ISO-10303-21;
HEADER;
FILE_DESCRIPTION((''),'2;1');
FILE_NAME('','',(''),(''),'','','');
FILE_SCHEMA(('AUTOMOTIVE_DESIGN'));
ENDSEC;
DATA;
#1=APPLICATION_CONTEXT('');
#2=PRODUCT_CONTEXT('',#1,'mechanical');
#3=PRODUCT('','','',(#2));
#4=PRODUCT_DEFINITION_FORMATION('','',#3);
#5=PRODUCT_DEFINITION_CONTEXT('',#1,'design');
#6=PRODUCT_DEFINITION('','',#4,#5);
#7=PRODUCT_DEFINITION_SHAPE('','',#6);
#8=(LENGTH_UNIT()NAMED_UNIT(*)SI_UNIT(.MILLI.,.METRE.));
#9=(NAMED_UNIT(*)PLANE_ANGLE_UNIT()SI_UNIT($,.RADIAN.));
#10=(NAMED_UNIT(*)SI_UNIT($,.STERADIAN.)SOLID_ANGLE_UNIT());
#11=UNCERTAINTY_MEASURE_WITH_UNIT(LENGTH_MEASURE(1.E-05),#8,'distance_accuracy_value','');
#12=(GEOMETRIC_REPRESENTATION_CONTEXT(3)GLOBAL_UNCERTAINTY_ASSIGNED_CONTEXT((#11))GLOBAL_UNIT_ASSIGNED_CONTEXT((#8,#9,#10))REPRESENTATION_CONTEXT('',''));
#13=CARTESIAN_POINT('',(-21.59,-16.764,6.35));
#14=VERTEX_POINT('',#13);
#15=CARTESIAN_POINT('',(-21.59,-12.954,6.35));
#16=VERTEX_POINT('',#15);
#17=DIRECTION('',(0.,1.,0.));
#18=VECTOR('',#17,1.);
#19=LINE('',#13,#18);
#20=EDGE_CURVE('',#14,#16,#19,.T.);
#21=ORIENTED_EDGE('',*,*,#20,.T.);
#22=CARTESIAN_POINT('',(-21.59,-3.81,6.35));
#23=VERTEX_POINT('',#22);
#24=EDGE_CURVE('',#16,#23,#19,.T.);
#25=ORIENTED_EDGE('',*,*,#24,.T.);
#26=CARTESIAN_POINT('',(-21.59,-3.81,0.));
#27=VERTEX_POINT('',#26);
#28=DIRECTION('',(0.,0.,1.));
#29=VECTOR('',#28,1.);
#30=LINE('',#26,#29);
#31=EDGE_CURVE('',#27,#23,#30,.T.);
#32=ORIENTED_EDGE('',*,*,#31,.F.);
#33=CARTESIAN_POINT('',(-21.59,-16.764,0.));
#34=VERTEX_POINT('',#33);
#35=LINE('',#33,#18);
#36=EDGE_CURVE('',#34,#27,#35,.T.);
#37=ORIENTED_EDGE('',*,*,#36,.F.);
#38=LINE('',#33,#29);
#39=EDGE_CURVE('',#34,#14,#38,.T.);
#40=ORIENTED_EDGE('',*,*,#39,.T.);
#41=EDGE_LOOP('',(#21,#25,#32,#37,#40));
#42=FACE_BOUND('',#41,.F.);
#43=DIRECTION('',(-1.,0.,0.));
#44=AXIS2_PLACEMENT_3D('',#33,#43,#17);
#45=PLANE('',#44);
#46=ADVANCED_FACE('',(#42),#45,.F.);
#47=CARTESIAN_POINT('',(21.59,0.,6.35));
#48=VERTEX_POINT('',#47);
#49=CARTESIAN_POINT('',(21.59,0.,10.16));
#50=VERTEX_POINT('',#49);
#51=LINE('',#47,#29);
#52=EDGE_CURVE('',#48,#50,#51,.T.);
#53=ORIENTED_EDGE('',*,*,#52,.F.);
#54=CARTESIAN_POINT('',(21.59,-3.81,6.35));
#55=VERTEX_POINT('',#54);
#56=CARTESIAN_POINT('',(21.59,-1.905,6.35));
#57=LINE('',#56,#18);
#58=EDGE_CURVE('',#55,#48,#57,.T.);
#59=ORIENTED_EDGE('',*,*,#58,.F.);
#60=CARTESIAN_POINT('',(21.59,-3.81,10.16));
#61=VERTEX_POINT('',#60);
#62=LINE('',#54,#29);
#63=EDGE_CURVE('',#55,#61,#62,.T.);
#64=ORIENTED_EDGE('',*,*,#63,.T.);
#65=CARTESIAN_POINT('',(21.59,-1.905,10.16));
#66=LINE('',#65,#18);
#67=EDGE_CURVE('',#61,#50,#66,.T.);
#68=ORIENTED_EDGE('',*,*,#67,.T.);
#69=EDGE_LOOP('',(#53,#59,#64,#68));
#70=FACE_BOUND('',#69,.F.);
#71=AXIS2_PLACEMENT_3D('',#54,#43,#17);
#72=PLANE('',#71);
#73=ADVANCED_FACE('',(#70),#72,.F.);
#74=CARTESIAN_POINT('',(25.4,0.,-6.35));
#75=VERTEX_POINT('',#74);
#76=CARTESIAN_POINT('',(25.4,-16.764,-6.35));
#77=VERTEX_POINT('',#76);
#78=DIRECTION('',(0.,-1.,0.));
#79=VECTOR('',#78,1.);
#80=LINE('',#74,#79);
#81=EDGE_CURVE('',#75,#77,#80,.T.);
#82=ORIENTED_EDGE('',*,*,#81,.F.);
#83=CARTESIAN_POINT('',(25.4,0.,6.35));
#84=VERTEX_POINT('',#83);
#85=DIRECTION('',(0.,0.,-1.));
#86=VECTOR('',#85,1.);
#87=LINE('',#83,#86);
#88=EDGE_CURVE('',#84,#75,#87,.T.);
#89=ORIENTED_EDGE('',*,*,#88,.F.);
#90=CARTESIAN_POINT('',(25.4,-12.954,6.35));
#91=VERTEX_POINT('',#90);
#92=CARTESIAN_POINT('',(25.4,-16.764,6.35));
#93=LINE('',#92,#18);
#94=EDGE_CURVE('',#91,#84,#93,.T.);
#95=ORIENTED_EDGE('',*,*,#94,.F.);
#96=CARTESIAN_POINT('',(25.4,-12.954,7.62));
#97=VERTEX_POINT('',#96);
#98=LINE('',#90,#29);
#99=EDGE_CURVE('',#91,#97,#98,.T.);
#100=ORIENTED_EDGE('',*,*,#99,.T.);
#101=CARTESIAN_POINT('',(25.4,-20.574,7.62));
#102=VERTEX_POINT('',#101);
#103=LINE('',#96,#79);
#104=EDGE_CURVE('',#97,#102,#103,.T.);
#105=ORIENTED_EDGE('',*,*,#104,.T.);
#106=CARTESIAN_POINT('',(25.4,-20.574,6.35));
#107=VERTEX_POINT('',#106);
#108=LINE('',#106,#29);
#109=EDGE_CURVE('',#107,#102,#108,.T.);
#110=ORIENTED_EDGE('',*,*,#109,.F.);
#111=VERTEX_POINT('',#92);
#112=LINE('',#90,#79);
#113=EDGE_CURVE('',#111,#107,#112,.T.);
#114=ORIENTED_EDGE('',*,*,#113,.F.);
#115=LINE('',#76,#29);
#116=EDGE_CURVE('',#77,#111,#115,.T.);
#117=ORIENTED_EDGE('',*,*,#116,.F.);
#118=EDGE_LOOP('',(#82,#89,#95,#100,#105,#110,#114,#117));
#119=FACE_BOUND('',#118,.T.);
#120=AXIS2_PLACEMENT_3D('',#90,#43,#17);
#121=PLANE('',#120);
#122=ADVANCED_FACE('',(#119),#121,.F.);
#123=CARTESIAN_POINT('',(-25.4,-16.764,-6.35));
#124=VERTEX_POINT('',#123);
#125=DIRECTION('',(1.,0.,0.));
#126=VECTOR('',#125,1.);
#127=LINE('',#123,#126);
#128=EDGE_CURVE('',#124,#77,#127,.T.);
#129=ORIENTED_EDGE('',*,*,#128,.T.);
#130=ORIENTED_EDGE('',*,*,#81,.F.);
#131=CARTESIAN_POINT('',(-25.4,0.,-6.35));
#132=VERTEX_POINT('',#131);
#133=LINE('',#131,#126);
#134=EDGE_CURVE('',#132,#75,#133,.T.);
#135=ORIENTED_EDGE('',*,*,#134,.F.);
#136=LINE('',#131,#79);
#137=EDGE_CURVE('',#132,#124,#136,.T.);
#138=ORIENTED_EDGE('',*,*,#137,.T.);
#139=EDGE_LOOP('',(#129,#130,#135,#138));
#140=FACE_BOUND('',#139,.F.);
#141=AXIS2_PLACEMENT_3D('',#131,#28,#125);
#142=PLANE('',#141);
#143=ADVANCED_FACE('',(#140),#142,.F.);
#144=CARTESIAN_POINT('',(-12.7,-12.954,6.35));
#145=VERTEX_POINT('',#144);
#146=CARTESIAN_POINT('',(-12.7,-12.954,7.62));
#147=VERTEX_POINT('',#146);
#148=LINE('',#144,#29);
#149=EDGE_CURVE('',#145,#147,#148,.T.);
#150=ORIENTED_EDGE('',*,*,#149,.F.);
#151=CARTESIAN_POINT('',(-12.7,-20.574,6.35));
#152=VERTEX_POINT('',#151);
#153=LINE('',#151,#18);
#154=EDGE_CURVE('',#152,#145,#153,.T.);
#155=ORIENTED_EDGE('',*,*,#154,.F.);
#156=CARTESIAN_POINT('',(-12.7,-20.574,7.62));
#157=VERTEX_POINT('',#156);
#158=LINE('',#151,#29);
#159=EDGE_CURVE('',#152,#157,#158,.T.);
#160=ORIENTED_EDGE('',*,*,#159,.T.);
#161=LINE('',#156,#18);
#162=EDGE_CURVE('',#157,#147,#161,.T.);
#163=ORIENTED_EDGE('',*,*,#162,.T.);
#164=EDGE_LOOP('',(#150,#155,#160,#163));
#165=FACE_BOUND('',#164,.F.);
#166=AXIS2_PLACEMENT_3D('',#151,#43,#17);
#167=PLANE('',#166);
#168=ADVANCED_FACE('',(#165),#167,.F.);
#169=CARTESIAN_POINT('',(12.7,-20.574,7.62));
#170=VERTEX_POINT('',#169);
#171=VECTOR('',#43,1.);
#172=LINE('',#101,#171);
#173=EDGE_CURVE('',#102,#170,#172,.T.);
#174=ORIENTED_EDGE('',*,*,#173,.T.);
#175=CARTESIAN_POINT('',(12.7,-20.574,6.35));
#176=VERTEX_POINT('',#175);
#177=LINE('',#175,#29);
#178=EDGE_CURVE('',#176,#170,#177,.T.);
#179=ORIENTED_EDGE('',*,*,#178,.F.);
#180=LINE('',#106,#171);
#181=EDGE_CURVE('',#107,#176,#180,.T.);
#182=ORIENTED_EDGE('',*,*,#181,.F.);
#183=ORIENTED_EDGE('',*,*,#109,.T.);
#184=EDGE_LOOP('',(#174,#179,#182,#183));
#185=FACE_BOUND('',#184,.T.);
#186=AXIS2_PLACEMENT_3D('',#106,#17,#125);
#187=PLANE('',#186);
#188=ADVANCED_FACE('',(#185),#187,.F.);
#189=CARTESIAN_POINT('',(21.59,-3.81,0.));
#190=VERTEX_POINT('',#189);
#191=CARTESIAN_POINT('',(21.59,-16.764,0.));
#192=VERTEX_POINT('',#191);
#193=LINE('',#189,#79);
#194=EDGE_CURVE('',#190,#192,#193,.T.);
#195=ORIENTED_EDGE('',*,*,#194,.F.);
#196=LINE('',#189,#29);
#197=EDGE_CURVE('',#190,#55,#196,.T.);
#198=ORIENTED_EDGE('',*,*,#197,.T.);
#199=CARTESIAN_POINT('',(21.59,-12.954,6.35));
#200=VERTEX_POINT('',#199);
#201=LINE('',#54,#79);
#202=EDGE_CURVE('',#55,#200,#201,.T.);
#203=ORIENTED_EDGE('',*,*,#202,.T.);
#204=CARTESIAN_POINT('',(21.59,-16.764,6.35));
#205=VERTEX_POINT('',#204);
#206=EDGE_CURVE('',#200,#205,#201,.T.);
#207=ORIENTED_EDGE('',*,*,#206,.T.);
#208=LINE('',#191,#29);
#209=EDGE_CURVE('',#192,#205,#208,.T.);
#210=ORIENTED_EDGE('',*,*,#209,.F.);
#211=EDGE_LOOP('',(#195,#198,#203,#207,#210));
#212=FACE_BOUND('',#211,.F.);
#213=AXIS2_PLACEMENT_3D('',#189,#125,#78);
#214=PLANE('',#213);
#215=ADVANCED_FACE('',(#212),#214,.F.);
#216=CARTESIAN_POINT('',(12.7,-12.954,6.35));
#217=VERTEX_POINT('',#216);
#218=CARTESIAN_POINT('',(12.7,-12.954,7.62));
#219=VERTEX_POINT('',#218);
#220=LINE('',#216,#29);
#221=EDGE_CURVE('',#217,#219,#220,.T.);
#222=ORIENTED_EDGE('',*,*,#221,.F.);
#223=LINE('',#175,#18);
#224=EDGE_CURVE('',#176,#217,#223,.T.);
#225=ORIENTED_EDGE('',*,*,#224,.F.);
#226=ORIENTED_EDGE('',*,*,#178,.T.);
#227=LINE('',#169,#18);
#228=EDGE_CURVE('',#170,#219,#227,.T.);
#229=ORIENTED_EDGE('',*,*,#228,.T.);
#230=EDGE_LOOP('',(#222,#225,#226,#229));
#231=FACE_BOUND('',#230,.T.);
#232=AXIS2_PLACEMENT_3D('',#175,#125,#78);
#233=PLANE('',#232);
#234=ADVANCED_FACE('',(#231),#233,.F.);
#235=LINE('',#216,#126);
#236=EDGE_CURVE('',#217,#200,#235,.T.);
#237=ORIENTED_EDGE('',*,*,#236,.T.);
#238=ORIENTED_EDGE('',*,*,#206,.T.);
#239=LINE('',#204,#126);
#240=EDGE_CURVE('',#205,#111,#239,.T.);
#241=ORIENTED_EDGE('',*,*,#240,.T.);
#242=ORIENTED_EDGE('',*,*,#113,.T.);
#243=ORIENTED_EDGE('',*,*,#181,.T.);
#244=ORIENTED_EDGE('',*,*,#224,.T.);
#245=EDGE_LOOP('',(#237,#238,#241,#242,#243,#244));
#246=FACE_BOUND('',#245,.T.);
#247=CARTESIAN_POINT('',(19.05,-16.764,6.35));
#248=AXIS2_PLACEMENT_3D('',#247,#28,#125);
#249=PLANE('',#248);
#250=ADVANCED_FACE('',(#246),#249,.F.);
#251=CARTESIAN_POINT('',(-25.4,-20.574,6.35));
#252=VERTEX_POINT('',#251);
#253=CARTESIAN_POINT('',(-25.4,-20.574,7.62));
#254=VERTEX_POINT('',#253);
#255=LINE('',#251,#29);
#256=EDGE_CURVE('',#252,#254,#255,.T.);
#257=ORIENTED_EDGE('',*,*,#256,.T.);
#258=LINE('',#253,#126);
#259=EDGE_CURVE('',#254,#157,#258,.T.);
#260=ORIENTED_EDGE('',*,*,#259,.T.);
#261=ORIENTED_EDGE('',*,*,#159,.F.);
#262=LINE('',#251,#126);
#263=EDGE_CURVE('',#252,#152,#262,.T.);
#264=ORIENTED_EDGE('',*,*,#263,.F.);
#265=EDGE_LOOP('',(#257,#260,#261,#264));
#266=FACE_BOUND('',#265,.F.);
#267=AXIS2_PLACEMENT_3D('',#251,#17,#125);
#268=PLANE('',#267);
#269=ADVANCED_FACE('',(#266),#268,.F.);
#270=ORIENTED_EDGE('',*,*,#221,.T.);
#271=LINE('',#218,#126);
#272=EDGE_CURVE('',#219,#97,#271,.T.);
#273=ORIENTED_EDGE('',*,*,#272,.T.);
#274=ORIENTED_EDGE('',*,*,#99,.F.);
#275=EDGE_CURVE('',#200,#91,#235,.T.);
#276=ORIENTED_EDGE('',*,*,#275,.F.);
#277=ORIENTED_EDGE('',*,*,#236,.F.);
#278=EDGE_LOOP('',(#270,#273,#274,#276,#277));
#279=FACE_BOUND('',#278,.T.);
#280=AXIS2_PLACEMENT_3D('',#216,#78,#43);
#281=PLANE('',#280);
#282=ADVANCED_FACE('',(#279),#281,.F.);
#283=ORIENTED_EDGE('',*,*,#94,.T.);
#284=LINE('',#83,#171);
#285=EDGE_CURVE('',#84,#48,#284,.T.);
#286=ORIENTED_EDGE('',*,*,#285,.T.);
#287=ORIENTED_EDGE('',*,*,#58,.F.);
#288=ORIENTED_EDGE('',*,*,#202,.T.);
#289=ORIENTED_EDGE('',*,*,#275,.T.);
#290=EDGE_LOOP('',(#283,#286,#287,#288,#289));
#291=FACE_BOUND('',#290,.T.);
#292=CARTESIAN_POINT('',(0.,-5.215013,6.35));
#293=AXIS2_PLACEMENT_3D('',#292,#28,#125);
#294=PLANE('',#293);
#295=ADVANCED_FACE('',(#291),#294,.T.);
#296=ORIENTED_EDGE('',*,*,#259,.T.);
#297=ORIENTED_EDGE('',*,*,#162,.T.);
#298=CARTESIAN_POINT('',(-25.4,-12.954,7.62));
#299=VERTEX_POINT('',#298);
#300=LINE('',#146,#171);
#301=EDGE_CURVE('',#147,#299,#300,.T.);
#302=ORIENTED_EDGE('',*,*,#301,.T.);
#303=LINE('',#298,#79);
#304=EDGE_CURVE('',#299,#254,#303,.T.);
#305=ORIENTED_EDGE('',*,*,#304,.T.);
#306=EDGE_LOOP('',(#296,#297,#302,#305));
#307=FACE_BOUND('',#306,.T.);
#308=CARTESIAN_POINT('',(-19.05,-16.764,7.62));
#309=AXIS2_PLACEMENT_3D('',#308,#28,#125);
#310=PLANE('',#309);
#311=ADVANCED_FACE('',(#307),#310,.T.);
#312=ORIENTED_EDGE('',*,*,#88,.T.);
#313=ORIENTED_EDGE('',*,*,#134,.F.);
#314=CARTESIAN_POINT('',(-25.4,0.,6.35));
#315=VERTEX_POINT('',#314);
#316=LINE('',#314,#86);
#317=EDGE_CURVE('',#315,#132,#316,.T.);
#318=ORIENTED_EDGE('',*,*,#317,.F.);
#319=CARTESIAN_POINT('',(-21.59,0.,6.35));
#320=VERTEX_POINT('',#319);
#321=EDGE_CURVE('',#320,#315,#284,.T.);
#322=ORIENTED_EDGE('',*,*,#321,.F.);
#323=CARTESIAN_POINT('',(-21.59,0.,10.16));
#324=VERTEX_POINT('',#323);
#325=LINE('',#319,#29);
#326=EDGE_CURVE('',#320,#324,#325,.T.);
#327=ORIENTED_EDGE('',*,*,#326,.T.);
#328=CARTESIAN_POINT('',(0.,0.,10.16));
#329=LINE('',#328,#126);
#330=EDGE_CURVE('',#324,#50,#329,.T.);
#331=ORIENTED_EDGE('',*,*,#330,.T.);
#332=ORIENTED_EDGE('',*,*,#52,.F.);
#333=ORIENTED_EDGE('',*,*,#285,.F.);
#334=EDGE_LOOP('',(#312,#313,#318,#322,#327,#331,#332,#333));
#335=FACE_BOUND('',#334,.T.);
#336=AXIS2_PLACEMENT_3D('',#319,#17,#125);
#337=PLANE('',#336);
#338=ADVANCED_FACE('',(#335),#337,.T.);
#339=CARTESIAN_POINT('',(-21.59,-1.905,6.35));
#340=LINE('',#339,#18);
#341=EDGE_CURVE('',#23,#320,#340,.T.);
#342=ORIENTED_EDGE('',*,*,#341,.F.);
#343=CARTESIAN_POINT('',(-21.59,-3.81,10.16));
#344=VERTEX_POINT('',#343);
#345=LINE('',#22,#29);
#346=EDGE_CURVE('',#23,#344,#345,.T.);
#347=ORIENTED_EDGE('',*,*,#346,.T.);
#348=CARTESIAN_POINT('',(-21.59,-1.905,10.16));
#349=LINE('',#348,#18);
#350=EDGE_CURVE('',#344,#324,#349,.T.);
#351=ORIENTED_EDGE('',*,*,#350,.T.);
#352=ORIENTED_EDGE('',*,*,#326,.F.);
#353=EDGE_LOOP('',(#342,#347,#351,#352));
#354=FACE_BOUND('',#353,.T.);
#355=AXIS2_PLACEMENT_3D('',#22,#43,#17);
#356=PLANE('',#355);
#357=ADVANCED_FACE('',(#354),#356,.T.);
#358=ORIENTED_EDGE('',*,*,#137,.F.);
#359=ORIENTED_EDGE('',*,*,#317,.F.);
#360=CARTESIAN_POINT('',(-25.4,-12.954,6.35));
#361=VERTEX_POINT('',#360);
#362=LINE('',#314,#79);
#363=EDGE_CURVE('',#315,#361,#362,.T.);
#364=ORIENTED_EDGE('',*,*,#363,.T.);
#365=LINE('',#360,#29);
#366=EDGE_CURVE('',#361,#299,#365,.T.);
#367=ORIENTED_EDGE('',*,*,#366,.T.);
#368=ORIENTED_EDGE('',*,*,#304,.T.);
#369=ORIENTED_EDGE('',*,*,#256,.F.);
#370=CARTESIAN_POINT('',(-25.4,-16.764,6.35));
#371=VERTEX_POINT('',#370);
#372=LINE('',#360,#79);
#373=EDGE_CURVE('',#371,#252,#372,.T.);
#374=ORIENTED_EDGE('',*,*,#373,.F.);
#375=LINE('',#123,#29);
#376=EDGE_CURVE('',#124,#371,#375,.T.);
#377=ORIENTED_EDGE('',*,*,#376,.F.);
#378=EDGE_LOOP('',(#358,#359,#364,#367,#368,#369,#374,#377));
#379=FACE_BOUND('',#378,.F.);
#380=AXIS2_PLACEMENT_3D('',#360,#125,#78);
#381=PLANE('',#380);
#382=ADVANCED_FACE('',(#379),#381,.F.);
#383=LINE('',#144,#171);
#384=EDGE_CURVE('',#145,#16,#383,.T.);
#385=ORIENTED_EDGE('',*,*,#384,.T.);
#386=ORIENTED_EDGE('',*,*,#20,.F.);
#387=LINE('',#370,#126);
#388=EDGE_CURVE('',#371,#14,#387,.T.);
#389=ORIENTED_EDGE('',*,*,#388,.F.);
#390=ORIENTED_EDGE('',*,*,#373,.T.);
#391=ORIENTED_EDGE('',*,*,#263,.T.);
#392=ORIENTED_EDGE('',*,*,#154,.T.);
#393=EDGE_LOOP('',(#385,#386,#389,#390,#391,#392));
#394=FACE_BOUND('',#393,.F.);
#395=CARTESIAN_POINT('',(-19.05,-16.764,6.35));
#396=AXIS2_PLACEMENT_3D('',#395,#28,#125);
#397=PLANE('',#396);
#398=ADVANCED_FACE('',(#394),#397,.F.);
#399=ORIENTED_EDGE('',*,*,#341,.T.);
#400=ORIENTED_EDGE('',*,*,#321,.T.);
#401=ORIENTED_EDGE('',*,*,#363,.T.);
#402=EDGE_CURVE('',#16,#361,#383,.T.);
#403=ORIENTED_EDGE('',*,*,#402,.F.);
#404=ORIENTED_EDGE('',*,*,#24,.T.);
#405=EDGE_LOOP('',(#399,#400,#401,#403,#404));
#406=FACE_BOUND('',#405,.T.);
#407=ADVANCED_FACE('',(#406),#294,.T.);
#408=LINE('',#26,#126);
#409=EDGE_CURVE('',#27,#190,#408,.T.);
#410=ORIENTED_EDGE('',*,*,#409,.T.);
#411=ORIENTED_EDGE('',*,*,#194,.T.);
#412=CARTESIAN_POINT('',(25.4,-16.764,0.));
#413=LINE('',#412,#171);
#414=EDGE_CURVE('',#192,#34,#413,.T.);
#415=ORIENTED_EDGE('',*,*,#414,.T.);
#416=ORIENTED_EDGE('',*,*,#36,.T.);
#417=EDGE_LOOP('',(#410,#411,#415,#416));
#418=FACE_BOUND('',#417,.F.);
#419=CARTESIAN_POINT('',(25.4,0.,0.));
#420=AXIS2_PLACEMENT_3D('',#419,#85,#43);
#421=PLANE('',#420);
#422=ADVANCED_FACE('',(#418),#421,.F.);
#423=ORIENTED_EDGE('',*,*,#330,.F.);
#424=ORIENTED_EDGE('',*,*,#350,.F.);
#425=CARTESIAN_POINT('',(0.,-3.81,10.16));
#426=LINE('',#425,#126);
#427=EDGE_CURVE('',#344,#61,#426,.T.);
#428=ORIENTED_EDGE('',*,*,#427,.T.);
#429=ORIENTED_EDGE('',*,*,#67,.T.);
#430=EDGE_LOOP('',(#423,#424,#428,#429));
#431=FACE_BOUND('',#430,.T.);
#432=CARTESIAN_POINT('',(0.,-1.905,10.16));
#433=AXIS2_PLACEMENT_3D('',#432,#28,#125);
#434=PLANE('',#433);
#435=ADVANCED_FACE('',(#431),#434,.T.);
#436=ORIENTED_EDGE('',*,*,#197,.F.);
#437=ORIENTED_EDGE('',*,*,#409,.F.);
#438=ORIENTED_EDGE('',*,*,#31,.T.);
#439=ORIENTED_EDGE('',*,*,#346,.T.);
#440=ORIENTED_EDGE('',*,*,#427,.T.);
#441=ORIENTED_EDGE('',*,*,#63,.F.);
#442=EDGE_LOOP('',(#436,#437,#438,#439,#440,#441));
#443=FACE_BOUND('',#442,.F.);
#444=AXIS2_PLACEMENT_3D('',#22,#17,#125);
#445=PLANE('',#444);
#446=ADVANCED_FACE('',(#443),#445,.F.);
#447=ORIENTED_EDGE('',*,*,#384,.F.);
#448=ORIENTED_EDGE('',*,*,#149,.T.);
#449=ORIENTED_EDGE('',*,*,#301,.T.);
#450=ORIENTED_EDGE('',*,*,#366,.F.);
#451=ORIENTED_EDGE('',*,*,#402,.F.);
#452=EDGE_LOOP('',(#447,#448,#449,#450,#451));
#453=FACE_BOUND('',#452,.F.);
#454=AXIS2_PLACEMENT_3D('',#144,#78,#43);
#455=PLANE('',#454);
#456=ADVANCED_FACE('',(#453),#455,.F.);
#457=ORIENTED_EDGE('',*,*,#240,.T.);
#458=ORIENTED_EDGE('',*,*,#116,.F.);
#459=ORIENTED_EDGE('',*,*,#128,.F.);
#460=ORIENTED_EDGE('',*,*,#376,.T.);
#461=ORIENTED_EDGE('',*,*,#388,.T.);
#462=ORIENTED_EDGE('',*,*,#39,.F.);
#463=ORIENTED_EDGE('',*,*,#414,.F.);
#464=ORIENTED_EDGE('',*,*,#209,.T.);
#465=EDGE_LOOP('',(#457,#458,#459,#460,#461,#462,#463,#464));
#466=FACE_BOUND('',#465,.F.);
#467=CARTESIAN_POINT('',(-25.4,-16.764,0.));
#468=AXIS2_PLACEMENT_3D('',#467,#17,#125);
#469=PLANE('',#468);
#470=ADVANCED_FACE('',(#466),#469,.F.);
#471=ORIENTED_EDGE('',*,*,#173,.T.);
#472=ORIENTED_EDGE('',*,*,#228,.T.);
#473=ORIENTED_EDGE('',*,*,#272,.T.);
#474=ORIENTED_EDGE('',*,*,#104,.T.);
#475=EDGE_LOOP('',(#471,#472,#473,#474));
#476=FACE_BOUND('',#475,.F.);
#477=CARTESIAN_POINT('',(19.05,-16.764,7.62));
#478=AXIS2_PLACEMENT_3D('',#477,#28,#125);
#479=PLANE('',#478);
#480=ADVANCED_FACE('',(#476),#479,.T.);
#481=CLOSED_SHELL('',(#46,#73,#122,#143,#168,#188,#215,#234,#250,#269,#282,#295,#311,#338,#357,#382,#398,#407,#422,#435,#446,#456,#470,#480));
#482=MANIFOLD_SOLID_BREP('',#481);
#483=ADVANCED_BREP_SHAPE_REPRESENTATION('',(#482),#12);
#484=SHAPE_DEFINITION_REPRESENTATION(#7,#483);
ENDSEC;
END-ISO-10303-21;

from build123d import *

# Parameters (mm, degrees)
F1_DEPTH = 16.764
F3_DEPTH = 6.35
F4_W     = 43.18
F4_H     = 3.81
F5_DEPTH = 3.81
F7_DEPTH = 1.27


with BuildPart() as f1:
    # F0 (on Front) → F1 (new body)
    with BuildSketch(Plane.XZ):
        Polygon((-25.4, -6.35), (0, -6.35), (25.4, -6.35), (25.4, 0), (-25.4, 0), align=None)
    extrude(amount=F1_DEPTH)

    # F2 (on face) → F3 (join)
    with BuildSketch(Plane.XY):
        Polygon((-25.4, 0), (-25.4, -16.764), (-21.59, -16.764), (-21.59, -3.81), (0, -3.81), (21.59, -3.81), (21.59, -16.764), (25.4, -16.764), (25.4, 0), align=None)
    extrude(amount=F3_DEPTH)

    # F4 (on face) → F5 (join)
    with BuildSketch(Plane.XY.offset(6.35)):
        with Locations((0, -1.905)):
            Rectangle(F4_W, F4_H)
    extrude(amount=F5_DEPTH)

    # F6 (on face) → F7 (join)
    with BuildSketch(Plane.XY.offset(6.35)):
        Polygon((-25.4, -12.954), (-25.4, -16.764), (-25.4, -20.574), (-12.7, -20.574), (-12.7, -12.954), align=None)
    extrude(amount=F7_DEPTH)

    # F8: F1 across plane


with BuildPart() as f1_1:
    add(f1.part)
    add(f1.part.mirror(Plane.YZ))


solid = f1_1.part
